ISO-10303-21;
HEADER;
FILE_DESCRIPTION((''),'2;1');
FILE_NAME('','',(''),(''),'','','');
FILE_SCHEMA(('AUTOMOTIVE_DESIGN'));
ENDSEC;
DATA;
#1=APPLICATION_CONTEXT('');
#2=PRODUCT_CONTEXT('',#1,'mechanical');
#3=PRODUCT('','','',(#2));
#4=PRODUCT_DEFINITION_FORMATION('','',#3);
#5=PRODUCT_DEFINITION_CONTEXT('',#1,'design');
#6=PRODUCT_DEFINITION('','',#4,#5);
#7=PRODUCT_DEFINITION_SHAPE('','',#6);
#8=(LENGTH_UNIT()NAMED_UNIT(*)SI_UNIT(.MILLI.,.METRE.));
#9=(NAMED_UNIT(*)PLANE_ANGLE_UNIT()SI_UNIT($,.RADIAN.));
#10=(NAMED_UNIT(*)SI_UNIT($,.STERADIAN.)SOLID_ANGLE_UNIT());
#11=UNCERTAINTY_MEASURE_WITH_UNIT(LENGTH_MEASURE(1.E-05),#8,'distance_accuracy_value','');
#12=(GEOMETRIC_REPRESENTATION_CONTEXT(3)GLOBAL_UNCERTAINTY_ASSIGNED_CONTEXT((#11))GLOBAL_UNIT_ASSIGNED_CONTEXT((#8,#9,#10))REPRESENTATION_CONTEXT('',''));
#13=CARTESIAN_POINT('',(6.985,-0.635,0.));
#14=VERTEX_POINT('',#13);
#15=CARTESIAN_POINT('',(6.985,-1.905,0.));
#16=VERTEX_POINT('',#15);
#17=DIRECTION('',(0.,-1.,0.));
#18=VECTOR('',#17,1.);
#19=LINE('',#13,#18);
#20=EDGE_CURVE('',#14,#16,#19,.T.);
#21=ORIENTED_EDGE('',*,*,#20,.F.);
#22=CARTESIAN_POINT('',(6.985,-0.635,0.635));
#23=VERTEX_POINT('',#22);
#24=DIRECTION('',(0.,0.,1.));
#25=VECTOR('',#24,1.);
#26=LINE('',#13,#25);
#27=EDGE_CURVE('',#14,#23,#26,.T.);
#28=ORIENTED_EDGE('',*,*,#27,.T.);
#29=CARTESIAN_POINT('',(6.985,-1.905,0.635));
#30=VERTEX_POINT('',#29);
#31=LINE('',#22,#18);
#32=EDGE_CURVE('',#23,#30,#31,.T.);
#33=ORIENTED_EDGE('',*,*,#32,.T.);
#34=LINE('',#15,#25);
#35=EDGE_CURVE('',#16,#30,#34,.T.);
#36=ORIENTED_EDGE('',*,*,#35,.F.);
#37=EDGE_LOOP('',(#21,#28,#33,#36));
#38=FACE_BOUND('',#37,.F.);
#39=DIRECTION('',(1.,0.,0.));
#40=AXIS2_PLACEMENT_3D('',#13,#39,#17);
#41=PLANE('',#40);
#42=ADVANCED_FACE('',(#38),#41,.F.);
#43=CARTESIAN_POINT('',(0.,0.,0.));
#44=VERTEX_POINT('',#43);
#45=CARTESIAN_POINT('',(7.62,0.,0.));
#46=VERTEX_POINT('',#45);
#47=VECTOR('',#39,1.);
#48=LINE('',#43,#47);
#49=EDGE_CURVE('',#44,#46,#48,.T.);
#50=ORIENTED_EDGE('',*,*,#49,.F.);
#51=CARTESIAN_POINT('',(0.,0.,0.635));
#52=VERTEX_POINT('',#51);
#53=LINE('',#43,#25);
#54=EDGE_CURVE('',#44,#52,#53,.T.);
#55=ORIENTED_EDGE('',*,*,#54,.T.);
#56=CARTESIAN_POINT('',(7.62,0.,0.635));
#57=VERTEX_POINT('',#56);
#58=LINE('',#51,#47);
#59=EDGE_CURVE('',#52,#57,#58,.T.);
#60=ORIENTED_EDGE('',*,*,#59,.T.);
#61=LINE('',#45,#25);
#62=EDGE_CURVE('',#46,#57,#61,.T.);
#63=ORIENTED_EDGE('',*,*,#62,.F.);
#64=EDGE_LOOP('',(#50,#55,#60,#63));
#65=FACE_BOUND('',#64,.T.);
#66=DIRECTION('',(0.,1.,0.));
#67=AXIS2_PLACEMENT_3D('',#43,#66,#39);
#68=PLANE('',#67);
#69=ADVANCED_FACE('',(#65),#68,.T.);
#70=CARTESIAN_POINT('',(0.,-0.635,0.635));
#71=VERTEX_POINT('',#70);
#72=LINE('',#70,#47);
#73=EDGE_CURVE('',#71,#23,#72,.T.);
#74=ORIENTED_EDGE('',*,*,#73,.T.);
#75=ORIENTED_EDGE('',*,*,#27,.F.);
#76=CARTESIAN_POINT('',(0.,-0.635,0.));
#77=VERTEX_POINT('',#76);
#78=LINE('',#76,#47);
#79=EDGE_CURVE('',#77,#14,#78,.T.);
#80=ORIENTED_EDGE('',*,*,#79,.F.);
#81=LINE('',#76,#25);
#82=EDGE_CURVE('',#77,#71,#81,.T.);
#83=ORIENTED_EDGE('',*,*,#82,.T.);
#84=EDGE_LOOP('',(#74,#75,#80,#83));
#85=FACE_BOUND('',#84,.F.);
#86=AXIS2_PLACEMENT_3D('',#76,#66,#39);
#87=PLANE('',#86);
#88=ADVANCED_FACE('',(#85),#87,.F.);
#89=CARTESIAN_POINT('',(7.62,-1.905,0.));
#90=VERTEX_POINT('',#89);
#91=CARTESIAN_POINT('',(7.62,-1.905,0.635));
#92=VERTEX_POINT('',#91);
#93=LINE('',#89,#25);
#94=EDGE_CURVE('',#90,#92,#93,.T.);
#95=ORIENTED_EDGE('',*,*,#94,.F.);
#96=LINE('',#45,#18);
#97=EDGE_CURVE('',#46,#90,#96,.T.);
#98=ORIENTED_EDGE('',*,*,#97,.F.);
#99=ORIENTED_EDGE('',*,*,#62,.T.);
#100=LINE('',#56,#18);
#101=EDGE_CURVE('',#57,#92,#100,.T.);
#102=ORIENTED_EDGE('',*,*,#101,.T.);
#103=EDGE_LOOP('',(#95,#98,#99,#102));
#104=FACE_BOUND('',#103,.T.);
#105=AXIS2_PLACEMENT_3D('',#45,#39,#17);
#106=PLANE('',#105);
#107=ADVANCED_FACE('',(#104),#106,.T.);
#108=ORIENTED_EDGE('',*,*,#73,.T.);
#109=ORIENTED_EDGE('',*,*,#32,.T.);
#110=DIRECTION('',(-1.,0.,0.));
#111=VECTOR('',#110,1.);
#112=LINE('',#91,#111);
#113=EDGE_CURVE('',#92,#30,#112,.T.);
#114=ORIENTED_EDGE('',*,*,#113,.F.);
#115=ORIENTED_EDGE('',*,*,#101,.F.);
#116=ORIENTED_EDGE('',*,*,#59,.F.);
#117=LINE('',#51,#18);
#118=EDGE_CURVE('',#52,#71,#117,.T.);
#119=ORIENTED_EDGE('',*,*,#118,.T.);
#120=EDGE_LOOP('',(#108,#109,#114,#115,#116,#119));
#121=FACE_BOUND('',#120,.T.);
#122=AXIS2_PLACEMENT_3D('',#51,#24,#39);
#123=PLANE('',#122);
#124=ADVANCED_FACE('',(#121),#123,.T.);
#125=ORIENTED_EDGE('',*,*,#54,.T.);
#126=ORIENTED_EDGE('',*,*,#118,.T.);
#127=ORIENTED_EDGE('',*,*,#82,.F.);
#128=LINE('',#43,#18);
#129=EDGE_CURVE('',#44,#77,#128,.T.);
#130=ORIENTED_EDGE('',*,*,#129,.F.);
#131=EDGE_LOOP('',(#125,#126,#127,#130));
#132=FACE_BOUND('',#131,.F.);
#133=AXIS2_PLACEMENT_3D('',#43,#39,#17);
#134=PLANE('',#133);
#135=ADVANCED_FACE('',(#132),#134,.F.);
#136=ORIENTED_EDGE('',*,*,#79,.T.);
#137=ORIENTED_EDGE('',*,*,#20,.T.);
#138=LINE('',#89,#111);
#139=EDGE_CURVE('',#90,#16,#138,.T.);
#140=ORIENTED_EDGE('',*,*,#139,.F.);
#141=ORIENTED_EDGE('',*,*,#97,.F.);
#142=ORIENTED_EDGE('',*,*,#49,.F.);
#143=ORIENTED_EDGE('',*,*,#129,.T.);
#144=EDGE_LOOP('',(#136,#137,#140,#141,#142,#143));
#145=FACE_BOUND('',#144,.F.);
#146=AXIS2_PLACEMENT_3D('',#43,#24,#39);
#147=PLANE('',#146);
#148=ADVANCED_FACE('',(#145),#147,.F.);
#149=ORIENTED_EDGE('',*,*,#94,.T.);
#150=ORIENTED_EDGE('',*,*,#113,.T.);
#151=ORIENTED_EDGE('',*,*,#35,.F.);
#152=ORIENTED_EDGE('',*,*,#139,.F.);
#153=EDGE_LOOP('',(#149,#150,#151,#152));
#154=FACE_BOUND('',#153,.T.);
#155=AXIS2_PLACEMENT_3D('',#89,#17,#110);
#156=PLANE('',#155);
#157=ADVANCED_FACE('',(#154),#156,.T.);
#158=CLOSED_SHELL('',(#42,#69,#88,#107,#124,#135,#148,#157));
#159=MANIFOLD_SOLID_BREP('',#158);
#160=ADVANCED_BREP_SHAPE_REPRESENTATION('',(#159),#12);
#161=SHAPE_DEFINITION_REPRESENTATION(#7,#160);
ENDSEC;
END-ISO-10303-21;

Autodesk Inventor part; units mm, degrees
ref_plane "YZ Plane" through (0, 0, 0) normal (1, 0, 0) x (0, 1, 0)
ref_plane "XZ Plane" through (0, 0, 0) normal (0, 1, 0) x (-1, 0, 0)
ref_plane "XY Plane" through (0, 0, 0) normal (0, 0, 1) x (1, 0, 0)
sketch "Sketch1" plane through (0, 0, 0) normal (0, 0, 1) x (1, 0, 0)
  line L0 (0, 0) -> (7.62, 0)
  line L1 (7.62, 0) -> (7.62, -1.905)
  line L2 (7.62, -1.905) -> (6.985, -1.905)
  line L3 (0, 0) -> (0, -0.635)
  line L4 (0, -0.635) -> (6.985, -0.635)
  line L5 (6.985, -0.635) -> (6.985, -1.905)
  dimension "d0" = 7.62
  dimension "d1" = 1.905
  dimension "d2" = 0.635
  dimension "d3" = 0.635
extrude "Extrusion1" add sketch "Sketch1" along normal blind 0.635
properties part number "IRIOPin" material "Brass, Soft Yellow"
